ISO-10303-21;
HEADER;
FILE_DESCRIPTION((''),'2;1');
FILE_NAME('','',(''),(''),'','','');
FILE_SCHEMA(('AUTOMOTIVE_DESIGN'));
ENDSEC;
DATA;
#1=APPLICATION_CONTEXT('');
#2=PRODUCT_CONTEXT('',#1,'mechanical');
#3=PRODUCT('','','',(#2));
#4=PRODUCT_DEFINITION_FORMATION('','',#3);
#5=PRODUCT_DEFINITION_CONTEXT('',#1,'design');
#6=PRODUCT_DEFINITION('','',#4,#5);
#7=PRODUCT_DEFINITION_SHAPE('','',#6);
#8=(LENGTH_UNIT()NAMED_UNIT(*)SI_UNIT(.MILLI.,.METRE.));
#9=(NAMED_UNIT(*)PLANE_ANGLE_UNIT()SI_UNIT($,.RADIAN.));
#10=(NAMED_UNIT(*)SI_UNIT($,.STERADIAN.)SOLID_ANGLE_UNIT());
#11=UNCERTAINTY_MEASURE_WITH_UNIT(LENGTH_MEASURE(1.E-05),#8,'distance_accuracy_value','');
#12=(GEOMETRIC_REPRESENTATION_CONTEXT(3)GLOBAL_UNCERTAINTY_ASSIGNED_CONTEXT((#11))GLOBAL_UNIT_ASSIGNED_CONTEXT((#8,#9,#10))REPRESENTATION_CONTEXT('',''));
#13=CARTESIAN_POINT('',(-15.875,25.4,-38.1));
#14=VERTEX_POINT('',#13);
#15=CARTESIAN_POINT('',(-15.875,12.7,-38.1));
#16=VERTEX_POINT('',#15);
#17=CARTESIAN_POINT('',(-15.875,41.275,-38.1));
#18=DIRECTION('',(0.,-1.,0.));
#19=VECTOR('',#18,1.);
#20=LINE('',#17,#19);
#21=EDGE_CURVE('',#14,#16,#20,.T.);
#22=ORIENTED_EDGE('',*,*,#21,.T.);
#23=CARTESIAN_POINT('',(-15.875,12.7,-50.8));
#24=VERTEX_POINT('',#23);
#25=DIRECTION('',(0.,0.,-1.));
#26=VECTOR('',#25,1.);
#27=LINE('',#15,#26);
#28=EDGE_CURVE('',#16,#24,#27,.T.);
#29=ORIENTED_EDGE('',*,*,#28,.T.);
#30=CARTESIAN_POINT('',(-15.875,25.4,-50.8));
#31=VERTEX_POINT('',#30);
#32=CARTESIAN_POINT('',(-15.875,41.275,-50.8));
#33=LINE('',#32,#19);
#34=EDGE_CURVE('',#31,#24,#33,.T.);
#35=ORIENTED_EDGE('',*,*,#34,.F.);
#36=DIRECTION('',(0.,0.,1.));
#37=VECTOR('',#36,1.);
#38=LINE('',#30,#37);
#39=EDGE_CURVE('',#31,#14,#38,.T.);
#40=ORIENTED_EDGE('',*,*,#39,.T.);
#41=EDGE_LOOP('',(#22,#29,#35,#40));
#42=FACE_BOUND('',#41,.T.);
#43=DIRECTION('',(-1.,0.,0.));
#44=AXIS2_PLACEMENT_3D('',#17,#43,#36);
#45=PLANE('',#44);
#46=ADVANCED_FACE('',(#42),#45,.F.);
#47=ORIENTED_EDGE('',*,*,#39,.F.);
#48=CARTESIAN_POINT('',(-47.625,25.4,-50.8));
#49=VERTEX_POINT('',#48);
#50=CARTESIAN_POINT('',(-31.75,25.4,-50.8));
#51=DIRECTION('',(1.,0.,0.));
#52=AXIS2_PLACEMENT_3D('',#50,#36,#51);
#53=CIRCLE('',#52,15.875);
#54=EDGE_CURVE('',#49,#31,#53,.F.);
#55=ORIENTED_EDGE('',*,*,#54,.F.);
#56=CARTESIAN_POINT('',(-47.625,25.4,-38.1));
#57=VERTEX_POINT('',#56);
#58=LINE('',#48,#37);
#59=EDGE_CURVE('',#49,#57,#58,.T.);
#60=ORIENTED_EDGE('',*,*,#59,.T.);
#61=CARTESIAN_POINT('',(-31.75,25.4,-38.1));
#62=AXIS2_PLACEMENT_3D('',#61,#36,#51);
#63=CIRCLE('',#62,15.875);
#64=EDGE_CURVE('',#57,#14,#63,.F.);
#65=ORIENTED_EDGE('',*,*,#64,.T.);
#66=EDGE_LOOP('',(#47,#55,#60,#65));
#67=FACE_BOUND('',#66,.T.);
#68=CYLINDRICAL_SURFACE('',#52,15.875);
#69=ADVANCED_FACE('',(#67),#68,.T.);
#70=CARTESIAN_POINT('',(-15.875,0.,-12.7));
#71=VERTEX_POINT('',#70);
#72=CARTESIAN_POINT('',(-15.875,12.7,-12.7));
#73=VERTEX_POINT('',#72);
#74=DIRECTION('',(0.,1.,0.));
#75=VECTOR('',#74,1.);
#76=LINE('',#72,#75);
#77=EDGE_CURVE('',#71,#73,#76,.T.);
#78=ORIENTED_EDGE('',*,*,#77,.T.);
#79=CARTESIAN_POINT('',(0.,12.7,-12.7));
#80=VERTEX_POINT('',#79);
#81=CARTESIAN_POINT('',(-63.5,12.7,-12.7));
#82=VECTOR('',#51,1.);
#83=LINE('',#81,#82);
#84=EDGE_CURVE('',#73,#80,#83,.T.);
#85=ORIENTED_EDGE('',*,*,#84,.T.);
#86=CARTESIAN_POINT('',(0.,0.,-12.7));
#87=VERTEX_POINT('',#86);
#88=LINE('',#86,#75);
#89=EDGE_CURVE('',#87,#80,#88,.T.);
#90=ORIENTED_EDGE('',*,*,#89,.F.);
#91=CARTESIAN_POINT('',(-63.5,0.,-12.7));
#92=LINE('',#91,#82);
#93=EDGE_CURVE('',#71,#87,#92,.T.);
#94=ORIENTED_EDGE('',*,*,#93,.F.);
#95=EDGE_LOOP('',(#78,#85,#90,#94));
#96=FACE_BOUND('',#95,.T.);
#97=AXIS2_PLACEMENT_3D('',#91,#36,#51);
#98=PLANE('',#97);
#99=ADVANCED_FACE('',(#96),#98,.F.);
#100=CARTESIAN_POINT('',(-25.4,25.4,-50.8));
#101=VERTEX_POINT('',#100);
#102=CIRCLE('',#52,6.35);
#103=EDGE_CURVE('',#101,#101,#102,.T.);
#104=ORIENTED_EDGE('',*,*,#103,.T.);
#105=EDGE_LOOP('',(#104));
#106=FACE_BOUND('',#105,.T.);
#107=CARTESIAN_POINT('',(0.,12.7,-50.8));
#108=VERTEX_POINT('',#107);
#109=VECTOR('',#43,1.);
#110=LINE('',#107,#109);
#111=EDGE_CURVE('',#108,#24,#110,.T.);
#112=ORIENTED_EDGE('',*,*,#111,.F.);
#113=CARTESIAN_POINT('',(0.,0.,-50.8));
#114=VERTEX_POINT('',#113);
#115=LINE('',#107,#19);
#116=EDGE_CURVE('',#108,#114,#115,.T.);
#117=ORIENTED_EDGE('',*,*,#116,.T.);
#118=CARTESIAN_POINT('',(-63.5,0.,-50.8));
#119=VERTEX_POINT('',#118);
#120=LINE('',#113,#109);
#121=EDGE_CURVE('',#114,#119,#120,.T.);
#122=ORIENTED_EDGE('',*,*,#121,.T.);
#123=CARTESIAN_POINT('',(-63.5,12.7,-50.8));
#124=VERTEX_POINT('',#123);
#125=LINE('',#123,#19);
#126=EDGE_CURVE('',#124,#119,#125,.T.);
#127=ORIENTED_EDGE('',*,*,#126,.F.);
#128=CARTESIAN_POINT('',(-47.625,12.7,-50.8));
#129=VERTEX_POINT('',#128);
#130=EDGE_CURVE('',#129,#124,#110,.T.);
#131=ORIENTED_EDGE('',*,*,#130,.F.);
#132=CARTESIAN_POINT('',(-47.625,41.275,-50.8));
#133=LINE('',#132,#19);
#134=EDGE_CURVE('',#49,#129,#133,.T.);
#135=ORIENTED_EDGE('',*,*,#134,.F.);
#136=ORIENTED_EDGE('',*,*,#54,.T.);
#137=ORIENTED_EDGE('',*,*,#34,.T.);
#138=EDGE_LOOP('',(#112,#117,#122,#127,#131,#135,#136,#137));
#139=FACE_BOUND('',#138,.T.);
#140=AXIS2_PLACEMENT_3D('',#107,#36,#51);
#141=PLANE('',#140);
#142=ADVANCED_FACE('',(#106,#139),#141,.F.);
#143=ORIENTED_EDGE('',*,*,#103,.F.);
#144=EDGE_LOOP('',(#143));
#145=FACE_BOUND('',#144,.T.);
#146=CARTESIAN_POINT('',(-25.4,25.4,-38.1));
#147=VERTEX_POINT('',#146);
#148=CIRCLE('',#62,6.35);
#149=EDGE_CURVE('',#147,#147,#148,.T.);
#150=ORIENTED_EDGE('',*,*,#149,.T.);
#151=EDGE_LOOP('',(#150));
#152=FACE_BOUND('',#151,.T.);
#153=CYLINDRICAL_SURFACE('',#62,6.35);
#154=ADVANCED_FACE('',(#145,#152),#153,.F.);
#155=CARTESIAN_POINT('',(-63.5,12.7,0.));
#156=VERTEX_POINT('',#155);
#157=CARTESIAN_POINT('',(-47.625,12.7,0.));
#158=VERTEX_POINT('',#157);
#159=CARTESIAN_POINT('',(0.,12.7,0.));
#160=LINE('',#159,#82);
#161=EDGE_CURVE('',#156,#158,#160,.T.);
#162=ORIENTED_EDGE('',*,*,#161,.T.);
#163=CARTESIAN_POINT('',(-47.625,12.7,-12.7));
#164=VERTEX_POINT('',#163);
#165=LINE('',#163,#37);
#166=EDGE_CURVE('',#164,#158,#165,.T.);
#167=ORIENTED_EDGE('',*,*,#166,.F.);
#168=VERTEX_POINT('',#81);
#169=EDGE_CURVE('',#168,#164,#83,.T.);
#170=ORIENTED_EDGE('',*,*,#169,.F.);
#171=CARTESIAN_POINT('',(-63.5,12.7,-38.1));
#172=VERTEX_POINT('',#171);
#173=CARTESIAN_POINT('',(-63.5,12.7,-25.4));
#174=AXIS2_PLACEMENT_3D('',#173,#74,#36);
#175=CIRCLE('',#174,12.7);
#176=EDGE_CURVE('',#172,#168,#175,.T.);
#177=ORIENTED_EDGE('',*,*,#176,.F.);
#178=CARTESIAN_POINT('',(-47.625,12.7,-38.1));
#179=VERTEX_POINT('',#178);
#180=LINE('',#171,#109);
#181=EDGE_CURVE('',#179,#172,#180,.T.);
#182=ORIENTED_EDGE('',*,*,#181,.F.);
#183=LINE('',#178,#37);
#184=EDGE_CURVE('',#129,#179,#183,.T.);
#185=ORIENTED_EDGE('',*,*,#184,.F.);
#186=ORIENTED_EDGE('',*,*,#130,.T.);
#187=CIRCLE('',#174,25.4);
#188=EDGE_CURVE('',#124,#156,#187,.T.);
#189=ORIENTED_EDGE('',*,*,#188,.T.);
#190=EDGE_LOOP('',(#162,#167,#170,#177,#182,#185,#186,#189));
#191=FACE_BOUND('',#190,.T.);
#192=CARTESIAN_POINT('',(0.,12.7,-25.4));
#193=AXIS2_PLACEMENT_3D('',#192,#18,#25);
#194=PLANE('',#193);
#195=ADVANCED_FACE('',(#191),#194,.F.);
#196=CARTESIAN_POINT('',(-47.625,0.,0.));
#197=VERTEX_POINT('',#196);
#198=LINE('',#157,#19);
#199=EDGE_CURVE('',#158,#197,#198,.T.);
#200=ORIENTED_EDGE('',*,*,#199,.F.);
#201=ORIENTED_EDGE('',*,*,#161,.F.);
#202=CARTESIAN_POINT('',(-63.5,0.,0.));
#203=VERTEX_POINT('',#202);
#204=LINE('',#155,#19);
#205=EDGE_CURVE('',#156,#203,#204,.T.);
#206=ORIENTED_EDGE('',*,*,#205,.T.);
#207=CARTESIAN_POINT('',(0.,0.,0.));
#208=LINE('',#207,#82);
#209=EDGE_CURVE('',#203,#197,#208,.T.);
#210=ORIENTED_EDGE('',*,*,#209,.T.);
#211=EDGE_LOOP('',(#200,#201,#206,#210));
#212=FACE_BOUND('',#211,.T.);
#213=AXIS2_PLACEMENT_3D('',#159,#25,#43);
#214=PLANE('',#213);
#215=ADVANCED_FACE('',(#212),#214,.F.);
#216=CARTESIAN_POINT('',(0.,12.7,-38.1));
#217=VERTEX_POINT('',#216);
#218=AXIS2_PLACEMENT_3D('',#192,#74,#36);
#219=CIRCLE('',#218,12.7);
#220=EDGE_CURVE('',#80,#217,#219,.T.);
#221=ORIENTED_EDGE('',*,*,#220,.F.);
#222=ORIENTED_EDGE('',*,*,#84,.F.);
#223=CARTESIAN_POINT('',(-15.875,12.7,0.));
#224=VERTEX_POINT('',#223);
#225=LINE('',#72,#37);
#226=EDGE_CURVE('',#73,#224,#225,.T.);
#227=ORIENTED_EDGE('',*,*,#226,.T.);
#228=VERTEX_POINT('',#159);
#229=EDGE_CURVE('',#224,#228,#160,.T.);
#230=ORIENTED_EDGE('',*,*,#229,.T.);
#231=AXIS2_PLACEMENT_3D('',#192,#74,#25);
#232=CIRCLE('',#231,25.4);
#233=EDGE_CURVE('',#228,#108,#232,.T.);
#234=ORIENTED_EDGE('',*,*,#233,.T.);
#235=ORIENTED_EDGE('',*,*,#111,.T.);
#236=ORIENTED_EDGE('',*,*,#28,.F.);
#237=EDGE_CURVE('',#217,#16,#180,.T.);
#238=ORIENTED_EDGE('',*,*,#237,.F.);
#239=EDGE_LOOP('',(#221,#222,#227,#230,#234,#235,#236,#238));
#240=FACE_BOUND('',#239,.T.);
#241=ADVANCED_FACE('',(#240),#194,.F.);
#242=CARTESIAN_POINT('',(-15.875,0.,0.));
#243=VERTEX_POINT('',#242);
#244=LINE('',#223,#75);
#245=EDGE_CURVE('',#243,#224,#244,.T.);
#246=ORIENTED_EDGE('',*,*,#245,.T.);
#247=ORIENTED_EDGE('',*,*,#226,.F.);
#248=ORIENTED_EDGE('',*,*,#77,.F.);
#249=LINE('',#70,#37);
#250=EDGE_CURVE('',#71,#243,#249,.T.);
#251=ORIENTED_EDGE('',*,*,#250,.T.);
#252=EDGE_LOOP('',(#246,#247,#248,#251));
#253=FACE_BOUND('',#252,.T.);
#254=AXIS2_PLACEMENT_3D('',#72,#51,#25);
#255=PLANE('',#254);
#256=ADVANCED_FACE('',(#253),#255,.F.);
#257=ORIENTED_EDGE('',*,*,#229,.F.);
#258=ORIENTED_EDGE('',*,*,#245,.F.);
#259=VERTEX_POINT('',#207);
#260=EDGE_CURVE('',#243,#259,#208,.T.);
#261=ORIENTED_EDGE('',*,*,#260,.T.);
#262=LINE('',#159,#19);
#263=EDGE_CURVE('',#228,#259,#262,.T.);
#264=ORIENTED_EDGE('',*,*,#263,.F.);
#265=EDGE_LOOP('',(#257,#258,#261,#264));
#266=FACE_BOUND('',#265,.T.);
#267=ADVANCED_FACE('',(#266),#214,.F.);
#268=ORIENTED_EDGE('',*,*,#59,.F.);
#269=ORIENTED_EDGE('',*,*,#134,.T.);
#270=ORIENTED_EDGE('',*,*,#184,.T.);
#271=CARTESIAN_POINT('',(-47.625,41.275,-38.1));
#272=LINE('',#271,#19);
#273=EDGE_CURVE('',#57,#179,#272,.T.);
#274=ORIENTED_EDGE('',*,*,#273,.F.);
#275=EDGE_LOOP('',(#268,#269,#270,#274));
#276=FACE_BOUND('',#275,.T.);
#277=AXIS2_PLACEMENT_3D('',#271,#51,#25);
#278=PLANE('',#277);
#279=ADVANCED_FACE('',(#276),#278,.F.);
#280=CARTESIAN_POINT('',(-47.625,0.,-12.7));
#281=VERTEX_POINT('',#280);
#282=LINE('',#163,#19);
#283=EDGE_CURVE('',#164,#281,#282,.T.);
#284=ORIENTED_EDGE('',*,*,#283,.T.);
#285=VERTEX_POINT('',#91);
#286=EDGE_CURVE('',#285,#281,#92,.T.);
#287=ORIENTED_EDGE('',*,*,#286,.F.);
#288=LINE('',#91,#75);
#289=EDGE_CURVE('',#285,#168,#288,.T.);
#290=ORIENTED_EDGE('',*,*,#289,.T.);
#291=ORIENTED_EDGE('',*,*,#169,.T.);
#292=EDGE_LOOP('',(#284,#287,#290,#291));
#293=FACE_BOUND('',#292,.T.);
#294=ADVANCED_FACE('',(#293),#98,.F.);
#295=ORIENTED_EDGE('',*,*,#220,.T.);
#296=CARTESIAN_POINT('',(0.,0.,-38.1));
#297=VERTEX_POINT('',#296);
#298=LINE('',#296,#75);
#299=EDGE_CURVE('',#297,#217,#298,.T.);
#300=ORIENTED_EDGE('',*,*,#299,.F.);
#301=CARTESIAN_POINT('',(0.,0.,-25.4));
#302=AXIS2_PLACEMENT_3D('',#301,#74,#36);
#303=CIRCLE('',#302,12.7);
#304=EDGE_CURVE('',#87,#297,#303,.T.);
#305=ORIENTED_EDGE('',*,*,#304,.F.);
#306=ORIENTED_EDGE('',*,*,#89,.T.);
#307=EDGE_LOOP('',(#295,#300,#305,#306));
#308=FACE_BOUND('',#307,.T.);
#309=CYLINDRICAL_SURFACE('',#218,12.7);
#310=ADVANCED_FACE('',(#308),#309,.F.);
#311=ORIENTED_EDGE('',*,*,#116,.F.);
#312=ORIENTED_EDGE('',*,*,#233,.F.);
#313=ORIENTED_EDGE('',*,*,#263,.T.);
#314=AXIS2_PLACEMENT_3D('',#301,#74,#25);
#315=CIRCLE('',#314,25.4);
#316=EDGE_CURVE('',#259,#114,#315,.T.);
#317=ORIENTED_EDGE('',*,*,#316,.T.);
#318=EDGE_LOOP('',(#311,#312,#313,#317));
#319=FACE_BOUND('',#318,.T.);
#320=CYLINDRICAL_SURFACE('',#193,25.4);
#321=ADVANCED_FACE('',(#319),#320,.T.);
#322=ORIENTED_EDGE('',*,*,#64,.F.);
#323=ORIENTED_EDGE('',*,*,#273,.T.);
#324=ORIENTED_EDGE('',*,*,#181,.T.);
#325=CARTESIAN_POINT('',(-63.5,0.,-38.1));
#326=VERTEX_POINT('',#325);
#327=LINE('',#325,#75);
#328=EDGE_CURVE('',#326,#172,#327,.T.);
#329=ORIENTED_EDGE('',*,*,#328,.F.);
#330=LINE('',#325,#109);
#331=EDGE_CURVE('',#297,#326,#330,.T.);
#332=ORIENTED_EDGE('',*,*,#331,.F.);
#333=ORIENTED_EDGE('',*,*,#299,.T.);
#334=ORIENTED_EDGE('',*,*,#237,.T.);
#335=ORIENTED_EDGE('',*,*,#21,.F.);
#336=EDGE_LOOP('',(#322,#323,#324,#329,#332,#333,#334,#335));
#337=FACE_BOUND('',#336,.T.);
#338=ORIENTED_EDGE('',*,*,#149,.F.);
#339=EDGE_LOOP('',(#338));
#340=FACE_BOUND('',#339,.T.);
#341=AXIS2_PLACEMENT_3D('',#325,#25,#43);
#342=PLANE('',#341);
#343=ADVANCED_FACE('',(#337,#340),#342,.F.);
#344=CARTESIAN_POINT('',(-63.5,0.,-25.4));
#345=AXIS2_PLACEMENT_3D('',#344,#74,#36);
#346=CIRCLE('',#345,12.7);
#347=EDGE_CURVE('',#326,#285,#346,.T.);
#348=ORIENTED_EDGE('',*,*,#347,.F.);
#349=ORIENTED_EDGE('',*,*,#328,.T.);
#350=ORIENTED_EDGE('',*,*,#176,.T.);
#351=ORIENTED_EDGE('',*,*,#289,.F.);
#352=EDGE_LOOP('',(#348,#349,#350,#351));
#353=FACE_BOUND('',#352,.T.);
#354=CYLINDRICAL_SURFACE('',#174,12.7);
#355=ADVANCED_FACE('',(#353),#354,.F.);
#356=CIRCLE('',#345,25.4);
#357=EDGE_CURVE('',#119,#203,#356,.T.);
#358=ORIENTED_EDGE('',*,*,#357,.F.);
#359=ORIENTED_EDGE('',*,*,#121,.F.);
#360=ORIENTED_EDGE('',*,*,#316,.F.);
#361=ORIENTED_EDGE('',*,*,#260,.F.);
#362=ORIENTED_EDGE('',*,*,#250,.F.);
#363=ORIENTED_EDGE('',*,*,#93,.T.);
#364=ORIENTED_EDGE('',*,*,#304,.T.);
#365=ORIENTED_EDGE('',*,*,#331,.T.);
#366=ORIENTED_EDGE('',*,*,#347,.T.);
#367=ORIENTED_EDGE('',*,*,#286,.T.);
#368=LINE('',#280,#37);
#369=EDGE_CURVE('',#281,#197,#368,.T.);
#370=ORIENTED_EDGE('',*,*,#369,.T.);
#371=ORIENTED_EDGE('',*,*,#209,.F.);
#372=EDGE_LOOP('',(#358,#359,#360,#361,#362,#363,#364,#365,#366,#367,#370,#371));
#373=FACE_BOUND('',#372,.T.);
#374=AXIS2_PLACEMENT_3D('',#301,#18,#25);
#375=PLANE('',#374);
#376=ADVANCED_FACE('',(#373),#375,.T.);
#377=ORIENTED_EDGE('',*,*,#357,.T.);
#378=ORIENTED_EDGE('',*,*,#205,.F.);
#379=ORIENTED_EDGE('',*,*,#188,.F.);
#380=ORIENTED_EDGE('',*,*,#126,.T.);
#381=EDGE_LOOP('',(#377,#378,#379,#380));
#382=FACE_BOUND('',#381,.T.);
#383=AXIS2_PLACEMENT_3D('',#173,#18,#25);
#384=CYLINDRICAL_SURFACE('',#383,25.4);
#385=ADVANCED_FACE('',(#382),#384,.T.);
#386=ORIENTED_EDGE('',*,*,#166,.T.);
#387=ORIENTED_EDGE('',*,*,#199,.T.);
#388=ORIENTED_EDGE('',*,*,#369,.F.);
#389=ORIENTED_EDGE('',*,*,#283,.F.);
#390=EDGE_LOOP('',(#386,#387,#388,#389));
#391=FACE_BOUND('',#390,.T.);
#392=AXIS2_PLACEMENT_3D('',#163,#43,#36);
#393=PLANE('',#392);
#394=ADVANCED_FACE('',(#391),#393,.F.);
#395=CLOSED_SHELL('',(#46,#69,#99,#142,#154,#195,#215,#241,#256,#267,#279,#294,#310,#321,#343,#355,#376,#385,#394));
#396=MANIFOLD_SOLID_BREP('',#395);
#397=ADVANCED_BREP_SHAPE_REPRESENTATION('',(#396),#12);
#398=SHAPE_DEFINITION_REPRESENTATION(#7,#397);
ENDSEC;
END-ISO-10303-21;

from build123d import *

# Parameters (mm, degrees)
BOSS_EXTRUDE2_DEPTH        = 12.7
F_1_1_DIAMETER_HOLE1_D     = 25.4
SKETCH6_W                  = 63.5
SKETCH6_H                  = 25.4
CUT_EXTRUDE1_DEPTH         = 12.7
SKETCH7_W                  = 31.75
SKETCH7_H                  = 12.7
CUT_EXTRUDE2_DEPTH         = 12.7
SKETCH8_W                  = 31.75
SKETCH8_H                  = 12.7
BOSS_EXTRUDE3_DEPTH        = 28.575
F_1_2_0_5_DIAMETER_HOLE1_D = 12.7
CUT_EXTRUDE4_DEPTH         = 12.7


with BuildPart() as part:
    # Sketch3 → Boss-Extrude2 (new body)
    with BuildSketch(Plane(origin=(0, 0, 0), x_dir=(1, 0, 0), z_dir=(0, 1, 0))):
        with BuildLine():
            Line((0, 0), (-63.5, 0))
            ThreePointArc((-63.5, 0), (-88.9, 25.4), (-63.5, 50.8))
            Line((-63.5, 50.8), (0, 50.8))
            ThreePointArc((0, 50.8), (25.4, 25.4), (0, 0))
        make_face()
    extrude(amount=BOSS_EXTRUDE2_DEPTH)

    # 1 (1) Diameter Hole1 (through all)
    with Locations(Plane(origin=(0, 12.7, 0), x_dir=(1, 0, 0), z_dir=(0, 1, 0))):
        with Locations((-63.5, 25.4), (0, 25.4)):
            Hole(F_1_1_DIAMETER_HOLE1_D / 2)

    # Sketch6 → Cut-Extrude1 (cut)
    with BuildSketch(Plane(origin=(0, 12.7, 0), x_dir=(1, 0, 0), z_dir=(0, 1, 0))):
        with Locations((-31.75, 25.4)):
            Rectangle(SKETCH6_W, SKETCH6_H)
    extrude(amount=-CUT_EXTRUDE1_DEPTH, mode=Mode.SUBTRACT)

    # Sketch7 → Cut-Extrude2 (cut)
    with BuildSketch(Plane.XY):
        with Locations((-31.75, 6.35)):
            Rectangle(SKETCH7_W, SKETCH7_H)
    extrude(amount=-CUT_EXTRUDE2_DEPTH, mode=Mode.SUBTRACT)

    # Sketch8 → Boss-Extrude3 (add)
    with BuildSketch(Plane(origin=(0, 12.7, 0), x_dir=(1, 0, 0), z_dir=(0, 1, 0))):
        with Locations((-31.75, 44.45)):
            Rectangle(SKETCH8_W, SKETCH8_H)
    extrude(amount=BOSS_EXTRUDE3_DEPTH)

    # 1/2 (0.5) Diameter Hole1 (through all)
    with Locations(Plane.XY.offset(-38.1)):
        with Locations((-31.75, 25.4)):
            Hole(F_1_2_0_5_DIAMETER_HOLE1_D / 2)

    # Sketch12 → Cut-Extrude4 (cut)
    with BuildSketch(Plane.XY.offset(-38.1)):
        with BuildLine():
            Line((-31.75, 41.275), (-47.625, 41.275))
            Line((-47.625, 41.275), (-47.625, 25.4))
            ThreePointArc((-47.625, 25.4), (-42.975320151, 36.625320151), (-31.75, 41.275))
        make_face()
        with BuildLine():
            Line((-15.875, 41.275), (-31.75, 41.275))
            ThreePointArc((-31.75, 41.275), (-20.524679849, 36.625320151), (-15.875, 25.4))
            Line((-15.875, 25.4), (-15.875, 41.275))
        make_face()
    extrude(amount=-CUT_EXTRUDE4_DEPTH, mode=Mode.SUBTRACT)


solid = part.part
